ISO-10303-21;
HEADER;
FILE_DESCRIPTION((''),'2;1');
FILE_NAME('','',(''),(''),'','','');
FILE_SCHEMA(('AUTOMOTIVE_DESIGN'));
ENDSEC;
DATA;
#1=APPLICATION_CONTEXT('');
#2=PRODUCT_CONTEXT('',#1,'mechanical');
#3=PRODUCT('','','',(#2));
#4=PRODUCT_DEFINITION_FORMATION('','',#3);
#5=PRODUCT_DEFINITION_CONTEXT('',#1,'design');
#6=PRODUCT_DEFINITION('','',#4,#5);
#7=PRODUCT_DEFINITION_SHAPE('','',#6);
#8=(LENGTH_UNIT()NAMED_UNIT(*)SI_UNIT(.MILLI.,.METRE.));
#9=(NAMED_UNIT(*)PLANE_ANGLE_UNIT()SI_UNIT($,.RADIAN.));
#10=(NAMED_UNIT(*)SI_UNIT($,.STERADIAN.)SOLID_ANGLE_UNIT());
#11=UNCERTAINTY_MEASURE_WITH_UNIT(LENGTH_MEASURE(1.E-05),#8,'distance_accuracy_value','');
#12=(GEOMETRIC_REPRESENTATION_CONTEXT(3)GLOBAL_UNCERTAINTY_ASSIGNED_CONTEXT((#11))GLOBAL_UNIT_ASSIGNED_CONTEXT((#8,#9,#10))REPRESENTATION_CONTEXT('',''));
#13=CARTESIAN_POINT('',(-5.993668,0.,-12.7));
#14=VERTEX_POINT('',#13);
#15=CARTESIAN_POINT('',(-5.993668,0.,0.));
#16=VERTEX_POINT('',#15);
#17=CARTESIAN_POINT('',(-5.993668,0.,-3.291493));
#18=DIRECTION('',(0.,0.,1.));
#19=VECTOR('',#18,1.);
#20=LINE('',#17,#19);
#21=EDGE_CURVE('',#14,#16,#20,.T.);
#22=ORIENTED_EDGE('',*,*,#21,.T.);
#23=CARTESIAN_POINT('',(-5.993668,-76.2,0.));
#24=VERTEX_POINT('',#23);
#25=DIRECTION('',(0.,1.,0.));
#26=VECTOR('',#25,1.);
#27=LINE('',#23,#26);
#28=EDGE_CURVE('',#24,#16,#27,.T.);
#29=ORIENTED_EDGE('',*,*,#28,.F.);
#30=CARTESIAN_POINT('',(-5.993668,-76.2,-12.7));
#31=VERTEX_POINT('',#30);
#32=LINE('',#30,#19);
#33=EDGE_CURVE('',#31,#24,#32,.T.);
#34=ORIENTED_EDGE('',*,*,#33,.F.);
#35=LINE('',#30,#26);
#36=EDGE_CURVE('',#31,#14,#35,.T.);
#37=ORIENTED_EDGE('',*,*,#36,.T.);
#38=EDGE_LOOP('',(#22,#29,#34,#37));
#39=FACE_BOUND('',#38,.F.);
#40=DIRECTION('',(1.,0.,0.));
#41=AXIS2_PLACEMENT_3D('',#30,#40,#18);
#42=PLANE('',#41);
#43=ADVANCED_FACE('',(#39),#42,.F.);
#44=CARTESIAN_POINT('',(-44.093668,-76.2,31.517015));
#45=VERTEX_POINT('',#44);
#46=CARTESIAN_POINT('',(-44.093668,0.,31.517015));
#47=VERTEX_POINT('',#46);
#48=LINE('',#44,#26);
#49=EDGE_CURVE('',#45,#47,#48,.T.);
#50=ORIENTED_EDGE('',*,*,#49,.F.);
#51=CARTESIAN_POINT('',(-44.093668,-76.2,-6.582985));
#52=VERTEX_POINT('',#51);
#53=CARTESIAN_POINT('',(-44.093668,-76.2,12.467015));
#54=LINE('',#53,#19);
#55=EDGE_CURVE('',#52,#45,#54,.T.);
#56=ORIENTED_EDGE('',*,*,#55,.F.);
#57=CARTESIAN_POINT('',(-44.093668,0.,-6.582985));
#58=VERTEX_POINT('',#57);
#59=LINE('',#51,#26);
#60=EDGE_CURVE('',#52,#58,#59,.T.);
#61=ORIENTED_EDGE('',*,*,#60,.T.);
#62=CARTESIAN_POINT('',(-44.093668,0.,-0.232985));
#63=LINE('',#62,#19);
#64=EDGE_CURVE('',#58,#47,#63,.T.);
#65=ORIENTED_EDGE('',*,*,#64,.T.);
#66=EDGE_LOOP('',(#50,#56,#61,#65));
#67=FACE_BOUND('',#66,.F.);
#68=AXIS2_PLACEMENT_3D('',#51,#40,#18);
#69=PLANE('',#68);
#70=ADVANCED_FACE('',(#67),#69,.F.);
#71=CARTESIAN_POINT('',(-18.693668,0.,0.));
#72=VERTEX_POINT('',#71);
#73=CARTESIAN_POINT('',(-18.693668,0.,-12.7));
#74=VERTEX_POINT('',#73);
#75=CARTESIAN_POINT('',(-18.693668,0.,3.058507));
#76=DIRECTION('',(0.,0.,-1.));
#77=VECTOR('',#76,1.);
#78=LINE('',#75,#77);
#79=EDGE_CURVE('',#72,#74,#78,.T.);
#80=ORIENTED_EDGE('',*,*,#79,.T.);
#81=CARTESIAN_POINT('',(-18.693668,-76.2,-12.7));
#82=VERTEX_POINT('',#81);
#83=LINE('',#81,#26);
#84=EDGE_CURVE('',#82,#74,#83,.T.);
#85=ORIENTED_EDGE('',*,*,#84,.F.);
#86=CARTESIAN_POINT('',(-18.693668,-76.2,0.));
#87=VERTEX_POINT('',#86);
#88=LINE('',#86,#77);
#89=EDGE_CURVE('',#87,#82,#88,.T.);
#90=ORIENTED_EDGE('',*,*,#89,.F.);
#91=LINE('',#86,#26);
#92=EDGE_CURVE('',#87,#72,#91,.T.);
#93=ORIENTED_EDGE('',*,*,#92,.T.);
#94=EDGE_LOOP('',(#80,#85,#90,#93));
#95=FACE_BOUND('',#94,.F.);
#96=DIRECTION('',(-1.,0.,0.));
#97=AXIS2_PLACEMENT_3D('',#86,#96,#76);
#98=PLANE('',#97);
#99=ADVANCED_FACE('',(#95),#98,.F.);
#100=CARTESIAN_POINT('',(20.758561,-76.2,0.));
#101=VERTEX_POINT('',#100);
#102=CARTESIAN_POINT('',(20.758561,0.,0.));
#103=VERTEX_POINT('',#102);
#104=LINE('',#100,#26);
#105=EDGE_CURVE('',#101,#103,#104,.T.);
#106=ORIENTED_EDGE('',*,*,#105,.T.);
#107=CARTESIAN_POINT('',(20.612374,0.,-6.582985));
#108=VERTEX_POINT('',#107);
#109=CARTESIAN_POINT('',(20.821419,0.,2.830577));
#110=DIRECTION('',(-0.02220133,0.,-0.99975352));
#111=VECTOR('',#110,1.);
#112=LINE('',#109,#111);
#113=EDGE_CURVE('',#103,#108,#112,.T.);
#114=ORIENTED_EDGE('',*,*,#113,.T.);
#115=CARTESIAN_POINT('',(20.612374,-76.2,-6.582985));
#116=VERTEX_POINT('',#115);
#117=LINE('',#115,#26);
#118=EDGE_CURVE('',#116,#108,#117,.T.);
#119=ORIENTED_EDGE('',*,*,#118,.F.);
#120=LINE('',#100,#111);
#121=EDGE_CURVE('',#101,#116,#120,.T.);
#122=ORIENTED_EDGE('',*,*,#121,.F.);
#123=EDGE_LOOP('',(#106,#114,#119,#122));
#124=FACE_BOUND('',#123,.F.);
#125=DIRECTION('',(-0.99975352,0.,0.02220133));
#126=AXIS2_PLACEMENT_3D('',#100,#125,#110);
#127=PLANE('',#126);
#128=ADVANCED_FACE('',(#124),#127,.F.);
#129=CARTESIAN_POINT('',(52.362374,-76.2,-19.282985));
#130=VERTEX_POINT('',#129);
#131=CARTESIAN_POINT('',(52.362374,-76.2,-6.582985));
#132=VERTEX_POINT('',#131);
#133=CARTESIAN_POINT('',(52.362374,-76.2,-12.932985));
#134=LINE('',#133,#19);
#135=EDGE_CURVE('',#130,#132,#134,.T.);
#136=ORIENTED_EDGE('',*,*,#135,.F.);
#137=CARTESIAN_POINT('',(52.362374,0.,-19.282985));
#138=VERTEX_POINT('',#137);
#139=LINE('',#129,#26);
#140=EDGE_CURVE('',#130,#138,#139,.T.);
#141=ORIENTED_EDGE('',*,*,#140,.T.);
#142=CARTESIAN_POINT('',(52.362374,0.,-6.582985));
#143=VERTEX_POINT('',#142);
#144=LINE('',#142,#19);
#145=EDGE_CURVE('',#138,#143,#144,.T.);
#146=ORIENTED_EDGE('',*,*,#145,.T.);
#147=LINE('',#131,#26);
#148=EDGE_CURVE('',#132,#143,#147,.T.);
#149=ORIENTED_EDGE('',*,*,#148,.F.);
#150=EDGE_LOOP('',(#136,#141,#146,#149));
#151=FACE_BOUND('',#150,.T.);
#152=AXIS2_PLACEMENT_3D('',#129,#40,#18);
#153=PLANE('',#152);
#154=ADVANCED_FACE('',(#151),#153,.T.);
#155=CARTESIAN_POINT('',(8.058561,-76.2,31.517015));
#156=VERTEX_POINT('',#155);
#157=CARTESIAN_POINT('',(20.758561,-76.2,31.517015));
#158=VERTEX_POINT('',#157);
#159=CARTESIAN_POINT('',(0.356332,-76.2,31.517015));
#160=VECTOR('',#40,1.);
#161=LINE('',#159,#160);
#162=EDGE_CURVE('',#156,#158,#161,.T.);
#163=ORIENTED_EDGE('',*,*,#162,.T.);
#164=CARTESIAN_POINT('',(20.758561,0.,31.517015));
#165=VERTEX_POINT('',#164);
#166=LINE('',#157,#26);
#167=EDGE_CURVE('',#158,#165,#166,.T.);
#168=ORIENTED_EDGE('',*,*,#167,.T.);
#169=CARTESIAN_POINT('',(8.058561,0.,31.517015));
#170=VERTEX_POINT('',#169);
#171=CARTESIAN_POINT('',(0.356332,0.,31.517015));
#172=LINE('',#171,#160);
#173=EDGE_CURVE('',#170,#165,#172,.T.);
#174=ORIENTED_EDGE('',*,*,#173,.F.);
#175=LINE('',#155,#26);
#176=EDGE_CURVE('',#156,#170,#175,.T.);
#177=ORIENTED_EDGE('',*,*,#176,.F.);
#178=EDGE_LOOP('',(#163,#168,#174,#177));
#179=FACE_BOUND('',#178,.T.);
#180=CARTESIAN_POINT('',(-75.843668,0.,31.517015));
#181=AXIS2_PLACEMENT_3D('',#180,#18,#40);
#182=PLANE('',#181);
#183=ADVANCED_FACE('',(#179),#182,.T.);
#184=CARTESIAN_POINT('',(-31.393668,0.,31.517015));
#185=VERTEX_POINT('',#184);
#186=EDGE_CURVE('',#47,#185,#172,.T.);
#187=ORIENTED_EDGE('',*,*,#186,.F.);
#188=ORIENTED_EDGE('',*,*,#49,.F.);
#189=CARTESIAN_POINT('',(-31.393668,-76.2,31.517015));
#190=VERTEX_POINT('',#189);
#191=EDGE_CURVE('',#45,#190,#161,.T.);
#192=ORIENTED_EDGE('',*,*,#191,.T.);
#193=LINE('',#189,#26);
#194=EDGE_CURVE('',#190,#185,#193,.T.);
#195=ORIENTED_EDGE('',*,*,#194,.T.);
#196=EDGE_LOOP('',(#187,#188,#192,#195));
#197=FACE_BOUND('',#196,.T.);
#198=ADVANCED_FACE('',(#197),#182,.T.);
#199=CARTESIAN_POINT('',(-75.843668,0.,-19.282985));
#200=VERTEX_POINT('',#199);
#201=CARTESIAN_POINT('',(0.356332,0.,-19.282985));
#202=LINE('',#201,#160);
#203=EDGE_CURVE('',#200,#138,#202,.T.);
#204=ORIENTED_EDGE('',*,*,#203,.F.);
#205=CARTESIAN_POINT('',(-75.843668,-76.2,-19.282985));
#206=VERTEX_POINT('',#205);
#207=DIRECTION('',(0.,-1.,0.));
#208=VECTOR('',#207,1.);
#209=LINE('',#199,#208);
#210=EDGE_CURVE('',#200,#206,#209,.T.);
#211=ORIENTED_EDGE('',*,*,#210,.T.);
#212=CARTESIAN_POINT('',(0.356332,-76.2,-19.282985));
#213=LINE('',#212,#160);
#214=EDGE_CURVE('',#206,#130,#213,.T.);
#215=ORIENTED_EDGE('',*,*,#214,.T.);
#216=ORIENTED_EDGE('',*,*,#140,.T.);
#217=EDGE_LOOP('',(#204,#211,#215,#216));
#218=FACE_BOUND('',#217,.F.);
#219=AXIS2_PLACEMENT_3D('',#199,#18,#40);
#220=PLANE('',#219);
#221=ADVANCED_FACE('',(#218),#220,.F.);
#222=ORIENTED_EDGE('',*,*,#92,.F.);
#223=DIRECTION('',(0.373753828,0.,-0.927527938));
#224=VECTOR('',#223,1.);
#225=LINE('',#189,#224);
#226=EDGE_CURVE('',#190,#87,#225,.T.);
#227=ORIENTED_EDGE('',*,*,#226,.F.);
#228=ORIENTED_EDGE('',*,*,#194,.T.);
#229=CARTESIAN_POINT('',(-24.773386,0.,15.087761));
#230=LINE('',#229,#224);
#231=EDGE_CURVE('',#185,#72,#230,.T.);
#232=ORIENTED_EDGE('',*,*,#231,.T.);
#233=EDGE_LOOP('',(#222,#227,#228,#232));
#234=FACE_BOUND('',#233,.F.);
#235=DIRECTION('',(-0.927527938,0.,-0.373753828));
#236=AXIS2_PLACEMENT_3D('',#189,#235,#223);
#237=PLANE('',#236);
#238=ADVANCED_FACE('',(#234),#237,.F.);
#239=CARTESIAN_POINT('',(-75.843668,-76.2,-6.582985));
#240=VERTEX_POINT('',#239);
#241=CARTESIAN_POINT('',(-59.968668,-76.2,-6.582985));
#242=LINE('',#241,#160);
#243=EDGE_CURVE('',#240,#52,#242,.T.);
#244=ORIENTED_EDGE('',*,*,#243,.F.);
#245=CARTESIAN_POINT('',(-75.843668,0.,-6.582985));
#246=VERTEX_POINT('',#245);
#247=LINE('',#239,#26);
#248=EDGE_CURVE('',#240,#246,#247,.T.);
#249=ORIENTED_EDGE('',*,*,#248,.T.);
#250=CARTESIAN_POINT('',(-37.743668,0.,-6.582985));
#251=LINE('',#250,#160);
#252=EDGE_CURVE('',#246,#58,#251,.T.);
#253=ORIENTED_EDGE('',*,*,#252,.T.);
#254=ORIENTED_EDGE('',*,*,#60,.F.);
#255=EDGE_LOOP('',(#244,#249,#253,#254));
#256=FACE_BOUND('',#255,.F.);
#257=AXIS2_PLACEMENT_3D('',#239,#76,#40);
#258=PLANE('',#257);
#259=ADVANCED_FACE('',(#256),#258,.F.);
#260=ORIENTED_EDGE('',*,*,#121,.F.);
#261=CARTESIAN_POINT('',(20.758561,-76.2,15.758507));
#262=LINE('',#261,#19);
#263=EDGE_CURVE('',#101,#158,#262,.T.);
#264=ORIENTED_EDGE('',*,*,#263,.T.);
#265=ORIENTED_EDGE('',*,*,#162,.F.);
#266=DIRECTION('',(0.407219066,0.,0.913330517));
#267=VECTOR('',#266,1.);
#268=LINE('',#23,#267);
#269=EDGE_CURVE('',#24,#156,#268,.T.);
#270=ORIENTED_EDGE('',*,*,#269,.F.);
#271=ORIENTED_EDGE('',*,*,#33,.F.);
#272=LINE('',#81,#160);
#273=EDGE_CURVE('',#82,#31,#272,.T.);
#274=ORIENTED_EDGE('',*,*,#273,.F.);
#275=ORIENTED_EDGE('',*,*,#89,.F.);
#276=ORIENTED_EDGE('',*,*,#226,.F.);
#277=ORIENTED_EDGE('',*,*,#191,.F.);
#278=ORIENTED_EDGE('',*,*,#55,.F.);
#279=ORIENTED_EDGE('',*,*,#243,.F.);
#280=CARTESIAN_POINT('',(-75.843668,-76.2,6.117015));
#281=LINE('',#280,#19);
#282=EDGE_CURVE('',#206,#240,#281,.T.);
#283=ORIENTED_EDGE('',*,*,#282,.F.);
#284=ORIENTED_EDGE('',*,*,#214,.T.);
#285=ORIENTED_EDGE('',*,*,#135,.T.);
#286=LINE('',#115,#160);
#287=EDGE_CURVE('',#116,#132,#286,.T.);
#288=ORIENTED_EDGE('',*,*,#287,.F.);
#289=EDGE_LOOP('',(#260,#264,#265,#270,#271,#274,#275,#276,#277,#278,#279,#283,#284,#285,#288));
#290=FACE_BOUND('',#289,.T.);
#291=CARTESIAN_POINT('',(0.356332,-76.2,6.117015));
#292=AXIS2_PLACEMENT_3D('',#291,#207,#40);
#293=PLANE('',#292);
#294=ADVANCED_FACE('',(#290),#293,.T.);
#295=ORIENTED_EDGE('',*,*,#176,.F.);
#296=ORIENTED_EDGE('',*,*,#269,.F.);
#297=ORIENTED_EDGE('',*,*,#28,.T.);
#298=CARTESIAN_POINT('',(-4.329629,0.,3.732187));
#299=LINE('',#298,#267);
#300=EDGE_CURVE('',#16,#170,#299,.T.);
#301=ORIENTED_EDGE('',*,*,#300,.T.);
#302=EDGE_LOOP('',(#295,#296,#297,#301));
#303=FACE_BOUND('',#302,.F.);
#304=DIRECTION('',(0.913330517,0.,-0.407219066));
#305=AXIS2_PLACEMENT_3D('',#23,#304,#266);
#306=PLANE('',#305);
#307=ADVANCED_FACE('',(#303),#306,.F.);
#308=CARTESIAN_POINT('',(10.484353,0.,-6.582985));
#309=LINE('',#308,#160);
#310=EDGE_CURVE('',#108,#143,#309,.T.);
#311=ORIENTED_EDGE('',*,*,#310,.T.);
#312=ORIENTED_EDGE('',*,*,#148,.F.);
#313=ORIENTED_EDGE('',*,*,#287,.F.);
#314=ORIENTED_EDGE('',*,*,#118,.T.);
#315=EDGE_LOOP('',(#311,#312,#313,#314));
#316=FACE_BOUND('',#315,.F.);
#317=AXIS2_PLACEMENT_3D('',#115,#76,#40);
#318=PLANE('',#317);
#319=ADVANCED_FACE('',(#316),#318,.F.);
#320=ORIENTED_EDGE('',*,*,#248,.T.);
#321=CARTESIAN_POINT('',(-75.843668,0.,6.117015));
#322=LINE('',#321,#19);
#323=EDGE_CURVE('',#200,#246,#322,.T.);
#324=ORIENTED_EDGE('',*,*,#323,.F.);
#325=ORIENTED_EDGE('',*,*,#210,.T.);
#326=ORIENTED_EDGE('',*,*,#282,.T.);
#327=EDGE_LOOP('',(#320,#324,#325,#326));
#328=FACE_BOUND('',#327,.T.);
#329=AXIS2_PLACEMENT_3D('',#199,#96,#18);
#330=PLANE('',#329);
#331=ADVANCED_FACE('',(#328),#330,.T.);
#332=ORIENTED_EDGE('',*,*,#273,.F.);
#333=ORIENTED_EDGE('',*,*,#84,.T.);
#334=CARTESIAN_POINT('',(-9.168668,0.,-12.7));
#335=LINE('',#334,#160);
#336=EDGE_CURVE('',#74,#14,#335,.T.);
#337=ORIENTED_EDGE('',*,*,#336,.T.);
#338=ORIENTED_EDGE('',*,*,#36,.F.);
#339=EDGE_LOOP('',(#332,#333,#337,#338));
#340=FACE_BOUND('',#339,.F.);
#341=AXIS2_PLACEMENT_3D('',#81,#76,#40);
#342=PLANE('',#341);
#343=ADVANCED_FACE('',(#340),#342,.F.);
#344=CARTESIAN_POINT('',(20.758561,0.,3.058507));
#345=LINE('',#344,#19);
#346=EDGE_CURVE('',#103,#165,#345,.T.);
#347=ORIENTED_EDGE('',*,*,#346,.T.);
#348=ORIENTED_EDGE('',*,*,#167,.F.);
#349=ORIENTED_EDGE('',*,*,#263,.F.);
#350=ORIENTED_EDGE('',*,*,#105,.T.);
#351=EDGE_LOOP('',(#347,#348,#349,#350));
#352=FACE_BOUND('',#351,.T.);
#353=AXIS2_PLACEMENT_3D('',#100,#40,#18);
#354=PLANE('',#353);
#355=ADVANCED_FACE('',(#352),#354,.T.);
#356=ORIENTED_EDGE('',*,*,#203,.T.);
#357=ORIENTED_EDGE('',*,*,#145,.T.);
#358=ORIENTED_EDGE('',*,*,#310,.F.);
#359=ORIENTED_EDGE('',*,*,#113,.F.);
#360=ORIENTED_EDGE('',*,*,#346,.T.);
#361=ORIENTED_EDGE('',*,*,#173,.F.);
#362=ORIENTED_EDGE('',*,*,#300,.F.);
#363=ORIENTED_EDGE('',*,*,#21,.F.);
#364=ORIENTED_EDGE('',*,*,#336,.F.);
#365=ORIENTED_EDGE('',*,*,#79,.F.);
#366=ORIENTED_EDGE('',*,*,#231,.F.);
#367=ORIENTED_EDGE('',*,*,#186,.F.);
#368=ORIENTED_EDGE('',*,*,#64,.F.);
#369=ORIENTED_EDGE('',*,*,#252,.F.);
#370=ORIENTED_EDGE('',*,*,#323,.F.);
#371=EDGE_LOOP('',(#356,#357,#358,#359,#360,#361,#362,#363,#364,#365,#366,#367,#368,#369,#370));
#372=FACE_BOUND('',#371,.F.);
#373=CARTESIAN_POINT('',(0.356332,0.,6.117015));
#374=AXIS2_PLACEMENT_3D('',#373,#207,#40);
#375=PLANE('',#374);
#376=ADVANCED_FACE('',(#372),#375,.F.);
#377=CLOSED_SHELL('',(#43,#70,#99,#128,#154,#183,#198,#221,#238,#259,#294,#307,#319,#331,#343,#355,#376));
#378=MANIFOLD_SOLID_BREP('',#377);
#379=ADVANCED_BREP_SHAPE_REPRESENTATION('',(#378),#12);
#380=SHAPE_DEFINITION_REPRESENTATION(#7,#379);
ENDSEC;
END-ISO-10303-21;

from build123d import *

# Parameters (mm, degrees)
F0_W      = 152.4
F0_H      = 50.8
F1_DEPTH  = 76.2
F2_W      = 31.75
F2_H      = 38.1
F3_DEPTH  = 76.201
F5_DEPTH  = 76.201
F6_W      = 55.7977713972
F6_H      = 31.5170145214
F7_DEPTH  = 76.201
F9_DEPTH  = 76.201
F10_W     = 24.1939584613
F10_H     = 12.7
F11_DEPTH = 76.201


with BuildPart() as f1:
    # F0 (on Front) → F1 (new body)
    with BuildSketch(Plane.XZ):
        with Locations((0.3563324094, 6.1170145214)):
            Rectangle(F0_W, F0_H)
    extrude(amount=F1_DEPTH)

    # F2 (on face) → F3 (cut, through all)
    with BuildSketch(Plane.XZ.offset(76.2)):
        with Locations((-59.9686675906, 12.4670145214)):
            Rectangle(F2_W, F2_H)
    extrude(amount=-F3_DEPTH, mode=Mode.SUBTRACT)

    # F4 (on face) → F5 (cut, through all)
    with BuildSketch(Plane.XZ.offset(76.2)):
        Polygon((8.0585610121, 31.5170145214), (-31.3936675906, 31.5170145214), (-18.6936675906, 0), (-18.6936675906, -12.7), (-5.9936675906, -12.7), (-5.9936675906, 0), align=None)
    extrude(amount=-F5_DEPTH, mode=Mode.SUBTRACT)

    # F6 (on face) → F7 (cut, through all)
    with BuildSketch(Plane.XZ.offset(76.2)):
        with Locations((48.6574467108, 15.7585072607)):
            Rectangle(F6_W, F6_H)
    extrude(amount=-F7_DEPTH, mode=Mode.SUBTRACT)

    # F8 (on face) → F9 (cut, through all)
    with BuildSketch(Plane.XZ.offset(76.2)):
        Polygon((20.7585610121, 0), (20.6123739481, -6.5829854786), (20.70865446, -6.5829854786), align=None)
        Polygon((76.5563324094, 0), (20.7585610121, 0), (20.70865446, -6.5829854786), (76.5563324094, -6.5829854786), align=None)
    extrude(amount=-F9_DEPTH, mode=Mode.SUBTRACT)

    # F10 (on face) → F11 (cut, through all)
    with BuildSketch(Plane.XZ.offset(76.2)):
        with Locations((64.4593531787, -12.9329854786)):
            Rectangle(F10_W, F10_H)
    extrude(amount=-F11_DEPTH, mode=Mode.SUBTRACT)


solid = f1.part
